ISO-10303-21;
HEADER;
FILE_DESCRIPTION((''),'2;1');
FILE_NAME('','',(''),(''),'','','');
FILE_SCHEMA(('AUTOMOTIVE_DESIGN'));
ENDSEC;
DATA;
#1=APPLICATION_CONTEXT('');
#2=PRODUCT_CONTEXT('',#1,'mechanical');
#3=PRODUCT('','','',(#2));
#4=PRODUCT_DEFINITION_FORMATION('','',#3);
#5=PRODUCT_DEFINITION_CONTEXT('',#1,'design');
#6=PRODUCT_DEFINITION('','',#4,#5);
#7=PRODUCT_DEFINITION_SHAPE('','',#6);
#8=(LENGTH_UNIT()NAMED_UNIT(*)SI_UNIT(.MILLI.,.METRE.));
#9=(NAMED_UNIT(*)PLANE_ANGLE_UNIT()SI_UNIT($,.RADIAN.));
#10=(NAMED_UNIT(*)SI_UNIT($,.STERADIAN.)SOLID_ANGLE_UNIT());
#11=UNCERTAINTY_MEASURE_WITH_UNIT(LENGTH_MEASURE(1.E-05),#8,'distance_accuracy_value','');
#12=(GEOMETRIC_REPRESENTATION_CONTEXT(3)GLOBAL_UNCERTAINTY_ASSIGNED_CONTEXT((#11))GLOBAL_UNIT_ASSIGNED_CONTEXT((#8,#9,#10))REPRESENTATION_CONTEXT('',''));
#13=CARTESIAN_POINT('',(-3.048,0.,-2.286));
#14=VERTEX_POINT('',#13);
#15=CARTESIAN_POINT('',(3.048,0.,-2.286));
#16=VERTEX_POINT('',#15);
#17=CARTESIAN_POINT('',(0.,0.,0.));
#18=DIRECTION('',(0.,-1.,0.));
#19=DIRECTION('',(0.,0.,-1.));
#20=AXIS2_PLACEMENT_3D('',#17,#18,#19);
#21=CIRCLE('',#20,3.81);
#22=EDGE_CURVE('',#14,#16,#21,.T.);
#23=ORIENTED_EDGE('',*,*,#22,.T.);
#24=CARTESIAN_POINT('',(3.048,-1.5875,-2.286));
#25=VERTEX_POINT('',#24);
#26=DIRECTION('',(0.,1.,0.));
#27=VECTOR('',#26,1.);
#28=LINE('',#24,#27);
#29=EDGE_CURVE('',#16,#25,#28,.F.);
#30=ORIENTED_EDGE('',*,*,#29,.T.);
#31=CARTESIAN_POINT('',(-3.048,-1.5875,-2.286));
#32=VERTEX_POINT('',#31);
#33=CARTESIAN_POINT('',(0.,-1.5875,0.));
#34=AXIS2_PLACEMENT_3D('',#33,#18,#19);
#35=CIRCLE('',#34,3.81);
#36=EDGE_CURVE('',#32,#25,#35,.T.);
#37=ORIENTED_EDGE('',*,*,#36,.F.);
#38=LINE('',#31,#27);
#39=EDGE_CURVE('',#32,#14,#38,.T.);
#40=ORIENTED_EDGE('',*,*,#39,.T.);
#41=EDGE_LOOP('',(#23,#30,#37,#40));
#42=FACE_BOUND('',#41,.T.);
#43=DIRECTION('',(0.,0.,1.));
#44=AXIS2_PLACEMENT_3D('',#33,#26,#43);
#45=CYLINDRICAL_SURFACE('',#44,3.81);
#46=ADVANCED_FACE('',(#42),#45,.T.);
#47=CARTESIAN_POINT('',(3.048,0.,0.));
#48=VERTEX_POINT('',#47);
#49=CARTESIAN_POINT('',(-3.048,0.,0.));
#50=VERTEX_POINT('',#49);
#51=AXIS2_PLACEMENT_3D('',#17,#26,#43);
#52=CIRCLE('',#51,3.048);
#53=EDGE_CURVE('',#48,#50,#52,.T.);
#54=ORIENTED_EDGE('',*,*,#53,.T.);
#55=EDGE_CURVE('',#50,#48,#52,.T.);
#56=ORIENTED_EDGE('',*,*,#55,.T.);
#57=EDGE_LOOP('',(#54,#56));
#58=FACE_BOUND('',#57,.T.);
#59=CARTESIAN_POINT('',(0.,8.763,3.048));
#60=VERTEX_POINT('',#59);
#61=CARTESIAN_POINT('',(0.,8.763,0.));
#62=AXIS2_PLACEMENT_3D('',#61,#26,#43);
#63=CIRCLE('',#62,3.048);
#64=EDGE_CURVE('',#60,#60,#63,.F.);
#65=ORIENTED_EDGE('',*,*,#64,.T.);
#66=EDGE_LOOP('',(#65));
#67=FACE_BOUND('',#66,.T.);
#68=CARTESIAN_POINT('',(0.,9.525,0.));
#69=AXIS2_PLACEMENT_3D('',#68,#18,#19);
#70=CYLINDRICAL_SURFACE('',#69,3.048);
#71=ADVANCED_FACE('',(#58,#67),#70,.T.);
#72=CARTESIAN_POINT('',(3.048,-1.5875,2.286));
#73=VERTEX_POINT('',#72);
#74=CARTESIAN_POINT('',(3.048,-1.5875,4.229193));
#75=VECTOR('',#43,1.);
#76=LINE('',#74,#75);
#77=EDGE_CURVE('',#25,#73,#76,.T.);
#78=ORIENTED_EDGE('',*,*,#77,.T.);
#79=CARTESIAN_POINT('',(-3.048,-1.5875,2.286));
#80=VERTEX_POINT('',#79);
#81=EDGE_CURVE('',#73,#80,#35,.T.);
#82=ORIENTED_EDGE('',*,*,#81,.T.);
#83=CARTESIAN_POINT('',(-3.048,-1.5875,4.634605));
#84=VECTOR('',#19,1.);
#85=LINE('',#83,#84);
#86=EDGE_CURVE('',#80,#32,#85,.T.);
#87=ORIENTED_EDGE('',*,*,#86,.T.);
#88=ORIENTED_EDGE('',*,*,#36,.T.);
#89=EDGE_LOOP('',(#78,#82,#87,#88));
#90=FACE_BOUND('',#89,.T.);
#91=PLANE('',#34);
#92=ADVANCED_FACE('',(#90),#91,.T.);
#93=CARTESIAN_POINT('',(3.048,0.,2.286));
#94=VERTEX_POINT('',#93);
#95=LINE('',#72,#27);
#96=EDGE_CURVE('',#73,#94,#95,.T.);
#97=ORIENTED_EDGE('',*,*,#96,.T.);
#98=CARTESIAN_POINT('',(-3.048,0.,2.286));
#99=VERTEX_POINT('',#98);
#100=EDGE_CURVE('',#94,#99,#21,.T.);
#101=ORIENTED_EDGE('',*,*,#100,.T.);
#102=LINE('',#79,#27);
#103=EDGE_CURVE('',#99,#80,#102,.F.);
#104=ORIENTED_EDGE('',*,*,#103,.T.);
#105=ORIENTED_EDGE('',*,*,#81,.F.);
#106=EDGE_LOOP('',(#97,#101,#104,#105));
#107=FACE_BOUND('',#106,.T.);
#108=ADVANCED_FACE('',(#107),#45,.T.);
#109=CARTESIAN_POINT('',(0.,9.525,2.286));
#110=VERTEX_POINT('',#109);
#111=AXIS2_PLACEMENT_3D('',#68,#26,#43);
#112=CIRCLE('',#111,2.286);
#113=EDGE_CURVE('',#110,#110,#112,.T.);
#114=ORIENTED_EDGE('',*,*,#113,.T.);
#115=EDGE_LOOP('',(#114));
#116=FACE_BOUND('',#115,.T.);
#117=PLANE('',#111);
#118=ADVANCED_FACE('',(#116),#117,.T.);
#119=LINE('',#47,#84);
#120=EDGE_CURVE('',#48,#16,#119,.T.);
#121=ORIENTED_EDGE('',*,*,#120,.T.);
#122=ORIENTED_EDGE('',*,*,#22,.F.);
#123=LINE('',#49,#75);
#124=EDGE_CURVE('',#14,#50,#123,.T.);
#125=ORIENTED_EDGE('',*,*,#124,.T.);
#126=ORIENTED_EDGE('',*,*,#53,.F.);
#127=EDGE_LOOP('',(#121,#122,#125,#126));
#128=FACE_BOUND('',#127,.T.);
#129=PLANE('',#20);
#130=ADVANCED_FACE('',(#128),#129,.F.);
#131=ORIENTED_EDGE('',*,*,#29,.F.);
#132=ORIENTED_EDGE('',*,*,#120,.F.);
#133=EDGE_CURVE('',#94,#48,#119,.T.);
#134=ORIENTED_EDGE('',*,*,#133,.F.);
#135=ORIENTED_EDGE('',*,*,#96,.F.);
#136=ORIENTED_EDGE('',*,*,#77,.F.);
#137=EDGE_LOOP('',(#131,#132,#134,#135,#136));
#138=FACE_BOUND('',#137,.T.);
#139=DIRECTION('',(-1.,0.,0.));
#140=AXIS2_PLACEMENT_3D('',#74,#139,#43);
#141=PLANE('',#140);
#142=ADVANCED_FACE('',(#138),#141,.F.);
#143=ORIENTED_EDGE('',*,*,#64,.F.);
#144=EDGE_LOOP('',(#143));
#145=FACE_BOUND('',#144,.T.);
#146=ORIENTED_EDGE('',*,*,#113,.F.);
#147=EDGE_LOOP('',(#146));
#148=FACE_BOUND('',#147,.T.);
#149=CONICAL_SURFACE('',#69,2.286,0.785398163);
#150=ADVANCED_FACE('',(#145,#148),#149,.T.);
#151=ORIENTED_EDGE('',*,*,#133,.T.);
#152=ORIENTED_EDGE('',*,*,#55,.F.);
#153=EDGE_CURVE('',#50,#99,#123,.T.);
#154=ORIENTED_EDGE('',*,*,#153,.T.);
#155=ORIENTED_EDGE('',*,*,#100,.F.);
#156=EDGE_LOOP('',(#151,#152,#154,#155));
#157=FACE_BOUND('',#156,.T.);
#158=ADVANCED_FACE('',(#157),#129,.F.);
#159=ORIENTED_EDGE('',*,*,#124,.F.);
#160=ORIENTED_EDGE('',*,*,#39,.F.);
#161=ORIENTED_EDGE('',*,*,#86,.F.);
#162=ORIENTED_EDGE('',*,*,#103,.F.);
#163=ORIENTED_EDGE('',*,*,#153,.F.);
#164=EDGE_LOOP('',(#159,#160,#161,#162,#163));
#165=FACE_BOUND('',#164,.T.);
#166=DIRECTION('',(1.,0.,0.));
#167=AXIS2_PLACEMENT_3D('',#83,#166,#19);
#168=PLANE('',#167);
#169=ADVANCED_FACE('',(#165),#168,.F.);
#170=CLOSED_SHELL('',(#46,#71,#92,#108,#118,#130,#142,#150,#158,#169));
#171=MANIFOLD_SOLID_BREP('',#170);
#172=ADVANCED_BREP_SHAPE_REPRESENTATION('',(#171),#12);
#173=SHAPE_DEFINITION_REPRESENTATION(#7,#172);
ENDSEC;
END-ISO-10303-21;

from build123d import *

# Parameters (mm, degrees)
SKETCH1_R           = 3.048
BOSS_EXTRUDE1_DEPTH = 9.525
CHAMFER1_SIZE       = 0.762
SKETCH2_R           = 3.81
BOSS_EXTRUDE2_DEPTH = 1.5875
SKETCH4_W           = 5.15979919
SKETCH4_H           = 9.269210688
SKETCH4_W_2         = 9.619339919
SKETCH4_H_2         = 8.458385102
CUT_EXTRUDE1_DEPTH  = 11.943391842


with BuildPart() as part:
    # Sketch1 → Boss-Extrude1 (new body)
    with BuildSketch(Plane(origin=(0, 0, 0), x_dir=(1, 0, 0), z_dir=(0, 1, 0))):
        with Locations(Location((0, 0, 0), (0, 0, 90))):
            Circle(SKETCH1_R)
    extrude(amount=BOSS_EXTRUDE1_DEPTH)

    # Chamfer1
    chamfer1_edges = [part.edges().sort_by_distance(p)[0] for p in [
        (0, 9.525, 3.048),
    ]]
    chamfer(chamfer1_edges, length=CHAMFER1_SIZE)

    # Sketch2 → Boss-Extrude2 (add)
    with BuildSketch(Plane.XZ):
        with Locations(Location((0, 0, 0), (0, 0, 270))):
            Circle(SKETCH2_R)
    extrude(amount=BOSS_EXTRUDE2_DEPTH)

    # Sketch4 → Cut-Extrude1 (cut, through all)
    with BuildSketch(Plane(origin=(0, 0, 0), x_dir=(1, 0, 0), z_dir=(0, 1, 0))):
        with Locations((-5.627899595, 0)):
            Rectangle(SKETCH4_W, SKETCH4_H)
        with Locations((7.85766996, 0)):
            Rectangle(SKETCH4_W_2, SKETCH4_H_2)
    extrude(amount=-CUT_EXTRUDE1_DEPTH, mode=Mode.SUBTRACT)


solid = part.part
